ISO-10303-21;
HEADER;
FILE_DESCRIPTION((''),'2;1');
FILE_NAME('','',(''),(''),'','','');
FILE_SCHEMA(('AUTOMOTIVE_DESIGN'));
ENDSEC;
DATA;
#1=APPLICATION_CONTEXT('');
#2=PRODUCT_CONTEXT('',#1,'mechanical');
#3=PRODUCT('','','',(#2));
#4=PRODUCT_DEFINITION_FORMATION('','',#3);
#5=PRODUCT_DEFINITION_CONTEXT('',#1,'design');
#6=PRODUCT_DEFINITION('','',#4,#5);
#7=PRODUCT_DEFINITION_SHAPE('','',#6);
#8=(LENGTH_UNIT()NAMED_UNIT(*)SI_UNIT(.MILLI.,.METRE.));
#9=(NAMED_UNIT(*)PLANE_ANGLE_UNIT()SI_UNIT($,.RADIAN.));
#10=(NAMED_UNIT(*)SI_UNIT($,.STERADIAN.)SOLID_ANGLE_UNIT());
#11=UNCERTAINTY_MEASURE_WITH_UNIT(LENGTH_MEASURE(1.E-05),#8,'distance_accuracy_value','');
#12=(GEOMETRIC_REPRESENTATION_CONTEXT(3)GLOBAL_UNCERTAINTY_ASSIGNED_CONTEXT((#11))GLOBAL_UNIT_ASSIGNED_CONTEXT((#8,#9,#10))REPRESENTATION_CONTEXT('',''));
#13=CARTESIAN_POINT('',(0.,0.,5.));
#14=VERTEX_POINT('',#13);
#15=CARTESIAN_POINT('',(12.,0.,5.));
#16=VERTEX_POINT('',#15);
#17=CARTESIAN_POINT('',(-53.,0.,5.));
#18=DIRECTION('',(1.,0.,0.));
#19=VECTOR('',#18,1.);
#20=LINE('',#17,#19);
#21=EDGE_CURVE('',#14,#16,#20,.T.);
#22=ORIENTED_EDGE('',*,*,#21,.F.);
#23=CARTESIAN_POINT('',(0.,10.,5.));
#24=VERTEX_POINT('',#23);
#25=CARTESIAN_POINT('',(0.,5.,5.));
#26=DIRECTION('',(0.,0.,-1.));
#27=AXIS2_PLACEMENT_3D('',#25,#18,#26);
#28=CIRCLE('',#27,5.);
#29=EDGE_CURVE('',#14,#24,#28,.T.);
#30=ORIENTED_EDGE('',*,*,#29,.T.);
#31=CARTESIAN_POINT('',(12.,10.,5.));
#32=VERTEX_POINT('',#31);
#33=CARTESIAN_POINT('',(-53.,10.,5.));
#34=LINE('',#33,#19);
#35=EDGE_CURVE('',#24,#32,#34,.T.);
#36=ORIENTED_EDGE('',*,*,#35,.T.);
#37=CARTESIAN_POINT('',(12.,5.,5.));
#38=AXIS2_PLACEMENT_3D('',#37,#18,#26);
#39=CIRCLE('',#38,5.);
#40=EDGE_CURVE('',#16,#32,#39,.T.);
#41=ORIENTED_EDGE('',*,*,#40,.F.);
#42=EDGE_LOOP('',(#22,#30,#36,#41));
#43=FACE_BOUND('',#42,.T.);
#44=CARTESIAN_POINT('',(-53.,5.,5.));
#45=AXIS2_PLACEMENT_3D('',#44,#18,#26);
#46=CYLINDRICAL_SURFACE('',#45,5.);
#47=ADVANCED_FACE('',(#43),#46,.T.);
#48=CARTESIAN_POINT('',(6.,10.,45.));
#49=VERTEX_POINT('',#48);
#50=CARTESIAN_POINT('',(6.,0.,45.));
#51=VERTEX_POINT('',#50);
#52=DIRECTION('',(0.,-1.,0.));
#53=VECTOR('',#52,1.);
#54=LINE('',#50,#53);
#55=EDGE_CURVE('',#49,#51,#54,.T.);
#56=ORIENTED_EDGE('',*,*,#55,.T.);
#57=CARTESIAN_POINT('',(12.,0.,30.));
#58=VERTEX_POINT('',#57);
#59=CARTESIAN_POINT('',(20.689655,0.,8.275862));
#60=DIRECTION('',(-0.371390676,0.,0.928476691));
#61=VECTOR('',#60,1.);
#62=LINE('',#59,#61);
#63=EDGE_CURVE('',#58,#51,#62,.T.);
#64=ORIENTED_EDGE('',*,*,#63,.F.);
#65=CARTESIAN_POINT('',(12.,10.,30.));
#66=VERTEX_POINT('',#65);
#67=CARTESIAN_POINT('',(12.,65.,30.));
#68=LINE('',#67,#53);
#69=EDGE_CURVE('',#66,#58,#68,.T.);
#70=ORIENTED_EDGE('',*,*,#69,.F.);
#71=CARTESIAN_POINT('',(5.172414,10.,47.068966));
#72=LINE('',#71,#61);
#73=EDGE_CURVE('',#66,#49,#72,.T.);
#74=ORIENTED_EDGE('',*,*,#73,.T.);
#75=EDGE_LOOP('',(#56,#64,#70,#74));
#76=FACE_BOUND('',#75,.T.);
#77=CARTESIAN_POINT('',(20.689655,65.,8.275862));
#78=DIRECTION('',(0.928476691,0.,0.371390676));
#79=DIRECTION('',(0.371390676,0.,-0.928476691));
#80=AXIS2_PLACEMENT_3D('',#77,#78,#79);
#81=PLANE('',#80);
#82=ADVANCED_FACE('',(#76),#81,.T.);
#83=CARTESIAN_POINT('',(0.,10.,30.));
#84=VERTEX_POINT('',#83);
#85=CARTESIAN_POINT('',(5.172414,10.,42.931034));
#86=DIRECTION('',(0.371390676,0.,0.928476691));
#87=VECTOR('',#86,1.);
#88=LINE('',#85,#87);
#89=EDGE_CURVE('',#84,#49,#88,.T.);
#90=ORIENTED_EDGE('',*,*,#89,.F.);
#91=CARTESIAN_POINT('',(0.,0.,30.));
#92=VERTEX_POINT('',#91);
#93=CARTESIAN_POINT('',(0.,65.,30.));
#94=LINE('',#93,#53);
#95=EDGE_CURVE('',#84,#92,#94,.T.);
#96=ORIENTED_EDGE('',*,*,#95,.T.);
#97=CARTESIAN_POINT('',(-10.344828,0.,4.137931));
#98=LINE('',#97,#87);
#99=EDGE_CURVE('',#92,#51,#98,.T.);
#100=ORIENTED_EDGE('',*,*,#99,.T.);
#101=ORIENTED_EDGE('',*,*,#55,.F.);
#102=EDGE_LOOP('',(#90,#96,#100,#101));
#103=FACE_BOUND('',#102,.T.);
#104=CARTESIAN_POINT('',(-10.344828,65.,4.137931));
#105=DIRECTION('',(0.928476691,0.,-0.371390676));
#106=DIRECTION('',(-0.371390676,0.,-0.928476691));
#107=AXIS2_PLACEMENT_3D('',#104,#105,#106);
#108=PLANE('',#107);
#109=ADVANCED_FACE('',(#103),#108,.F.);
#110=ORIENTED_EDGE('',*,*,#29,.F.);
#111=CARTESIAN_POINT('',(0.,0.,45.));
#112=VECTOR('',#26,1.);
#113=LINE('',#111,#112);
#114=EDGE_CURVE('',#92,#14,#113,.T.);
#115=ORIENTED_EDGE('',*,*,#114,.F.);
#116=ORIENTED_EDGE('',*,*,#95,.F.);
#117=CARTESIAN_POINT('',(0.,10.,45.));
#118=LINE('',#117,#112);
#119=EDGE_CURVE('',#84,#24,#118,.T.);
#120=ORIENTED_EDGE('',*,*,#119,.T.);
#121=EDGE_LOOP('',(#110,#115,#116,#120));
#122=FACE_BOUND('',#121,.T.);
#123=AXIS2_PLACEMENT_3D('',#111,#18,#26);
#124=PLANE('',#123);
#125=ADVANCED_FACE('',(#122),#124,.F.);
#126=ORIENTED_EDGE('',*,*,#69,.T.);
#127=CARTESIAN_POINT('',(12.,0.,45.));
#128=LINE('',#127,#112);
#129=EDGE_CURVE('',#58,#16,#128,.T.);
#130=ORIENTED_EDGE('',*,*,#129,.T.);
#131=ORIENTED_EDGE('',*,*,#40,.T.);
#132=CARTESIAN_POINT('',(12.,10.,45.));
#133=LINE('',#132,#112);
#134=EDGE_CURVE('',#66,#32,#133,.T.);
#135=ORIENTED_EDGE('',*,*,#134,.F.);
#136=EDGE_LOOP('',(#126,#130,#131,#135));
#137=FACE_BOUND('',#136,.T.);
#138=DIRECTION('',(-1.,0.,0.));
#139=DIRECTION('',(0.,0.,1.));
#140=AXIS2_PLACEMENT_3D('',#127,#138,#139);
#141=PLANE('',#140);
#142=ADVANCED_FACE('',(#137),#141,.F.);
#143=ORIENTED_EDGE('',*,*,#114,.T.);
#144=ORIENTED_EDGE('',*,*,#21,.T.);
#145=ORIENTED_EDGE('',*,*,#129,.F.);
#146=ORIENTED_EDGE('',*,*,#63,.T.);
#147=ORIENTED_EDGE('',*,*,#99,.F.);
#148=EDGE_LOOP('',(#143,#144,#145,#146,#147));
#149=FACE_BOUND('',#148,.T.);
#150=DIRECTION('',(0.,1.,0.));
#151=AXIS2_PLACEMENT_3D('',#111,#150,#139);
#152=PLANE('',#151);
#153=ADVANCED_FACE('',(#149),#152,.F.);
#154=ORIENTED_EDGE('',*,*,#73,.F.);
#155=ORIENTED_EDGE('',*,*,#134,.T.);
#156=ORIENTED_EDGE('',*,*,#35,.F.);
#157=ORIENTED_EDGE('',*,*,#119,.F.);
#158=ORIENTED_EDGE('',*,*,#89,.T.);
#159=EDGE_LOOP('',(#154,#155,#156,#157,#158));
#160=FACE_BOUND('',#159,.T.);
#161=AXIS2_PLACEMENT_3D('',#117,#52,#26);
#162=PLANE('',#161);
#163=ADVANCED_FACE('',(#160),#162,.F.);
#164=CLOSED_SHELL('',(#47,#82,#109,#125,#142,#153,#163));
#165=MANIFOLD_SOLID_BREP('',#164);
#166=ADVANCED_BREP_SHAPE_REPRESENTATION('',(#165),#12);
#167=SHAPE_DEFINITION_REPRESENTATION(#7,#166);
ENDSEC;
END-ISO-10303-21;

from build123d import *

# Parameters (mm, degrees)
SKETCH_2_W          = 12
SKETCH_2_H          = 10
EXTRUDE_1_DEPTH     = 45
CUT_EXTRUDE_1_DEPTH = 65
CUT_EXTRUDE_2_DEPTH = 65


with BuildPart() as part:
    # 草图2 → 凸台-拉伸1 (new body)
    with BuildSketch(Plane.XY):
        with Locations((6, 5)):
            Rectangle(SKETCH_2_W, SKETCH_2_H)
    extrude(amount=EXTRUDE_1_DEPTH)

    # 草图3 → 切除-拉伸1 (cut)
    with BuildSketch(Plane(origin=(12, 0, 0), x_dir=(0, 0, -1), z_dir=(1, 0, 0))):
        with BuildLine():
            Line((0, 0), (0, 5))
            ThreePointArc((0, 5), (-1.464466094, 1.464466094), (-5, 0))
            Line((-5, 0), (0, 0))
        make_face()
        with BuildLine():
            Line((0, 10), (-5, 10))
            ThreePointArc((-5, 10), (-1.464466094, 8.535533906), (0, 5))
            Line((0, 5), (0, 10))
        make_face()
    extrude(amount=-CUT_EXTRUDE_1_DEPTH, mode=Mode.SUBTRACT)

    # 草图4 → 切除-拉伸2 (cut)
    with BuildSketch(Plane.XZ):
        Polygon((0, 45), (0, 30), (6, 45), align=None)
        Polygon((12, 45), (6, 45), (12, 30), align=None)
    extrude(amount=-CUT_EXTRUDE_2_DEPTH, mode=Mode.SUBTRACT)


solid = part.part
